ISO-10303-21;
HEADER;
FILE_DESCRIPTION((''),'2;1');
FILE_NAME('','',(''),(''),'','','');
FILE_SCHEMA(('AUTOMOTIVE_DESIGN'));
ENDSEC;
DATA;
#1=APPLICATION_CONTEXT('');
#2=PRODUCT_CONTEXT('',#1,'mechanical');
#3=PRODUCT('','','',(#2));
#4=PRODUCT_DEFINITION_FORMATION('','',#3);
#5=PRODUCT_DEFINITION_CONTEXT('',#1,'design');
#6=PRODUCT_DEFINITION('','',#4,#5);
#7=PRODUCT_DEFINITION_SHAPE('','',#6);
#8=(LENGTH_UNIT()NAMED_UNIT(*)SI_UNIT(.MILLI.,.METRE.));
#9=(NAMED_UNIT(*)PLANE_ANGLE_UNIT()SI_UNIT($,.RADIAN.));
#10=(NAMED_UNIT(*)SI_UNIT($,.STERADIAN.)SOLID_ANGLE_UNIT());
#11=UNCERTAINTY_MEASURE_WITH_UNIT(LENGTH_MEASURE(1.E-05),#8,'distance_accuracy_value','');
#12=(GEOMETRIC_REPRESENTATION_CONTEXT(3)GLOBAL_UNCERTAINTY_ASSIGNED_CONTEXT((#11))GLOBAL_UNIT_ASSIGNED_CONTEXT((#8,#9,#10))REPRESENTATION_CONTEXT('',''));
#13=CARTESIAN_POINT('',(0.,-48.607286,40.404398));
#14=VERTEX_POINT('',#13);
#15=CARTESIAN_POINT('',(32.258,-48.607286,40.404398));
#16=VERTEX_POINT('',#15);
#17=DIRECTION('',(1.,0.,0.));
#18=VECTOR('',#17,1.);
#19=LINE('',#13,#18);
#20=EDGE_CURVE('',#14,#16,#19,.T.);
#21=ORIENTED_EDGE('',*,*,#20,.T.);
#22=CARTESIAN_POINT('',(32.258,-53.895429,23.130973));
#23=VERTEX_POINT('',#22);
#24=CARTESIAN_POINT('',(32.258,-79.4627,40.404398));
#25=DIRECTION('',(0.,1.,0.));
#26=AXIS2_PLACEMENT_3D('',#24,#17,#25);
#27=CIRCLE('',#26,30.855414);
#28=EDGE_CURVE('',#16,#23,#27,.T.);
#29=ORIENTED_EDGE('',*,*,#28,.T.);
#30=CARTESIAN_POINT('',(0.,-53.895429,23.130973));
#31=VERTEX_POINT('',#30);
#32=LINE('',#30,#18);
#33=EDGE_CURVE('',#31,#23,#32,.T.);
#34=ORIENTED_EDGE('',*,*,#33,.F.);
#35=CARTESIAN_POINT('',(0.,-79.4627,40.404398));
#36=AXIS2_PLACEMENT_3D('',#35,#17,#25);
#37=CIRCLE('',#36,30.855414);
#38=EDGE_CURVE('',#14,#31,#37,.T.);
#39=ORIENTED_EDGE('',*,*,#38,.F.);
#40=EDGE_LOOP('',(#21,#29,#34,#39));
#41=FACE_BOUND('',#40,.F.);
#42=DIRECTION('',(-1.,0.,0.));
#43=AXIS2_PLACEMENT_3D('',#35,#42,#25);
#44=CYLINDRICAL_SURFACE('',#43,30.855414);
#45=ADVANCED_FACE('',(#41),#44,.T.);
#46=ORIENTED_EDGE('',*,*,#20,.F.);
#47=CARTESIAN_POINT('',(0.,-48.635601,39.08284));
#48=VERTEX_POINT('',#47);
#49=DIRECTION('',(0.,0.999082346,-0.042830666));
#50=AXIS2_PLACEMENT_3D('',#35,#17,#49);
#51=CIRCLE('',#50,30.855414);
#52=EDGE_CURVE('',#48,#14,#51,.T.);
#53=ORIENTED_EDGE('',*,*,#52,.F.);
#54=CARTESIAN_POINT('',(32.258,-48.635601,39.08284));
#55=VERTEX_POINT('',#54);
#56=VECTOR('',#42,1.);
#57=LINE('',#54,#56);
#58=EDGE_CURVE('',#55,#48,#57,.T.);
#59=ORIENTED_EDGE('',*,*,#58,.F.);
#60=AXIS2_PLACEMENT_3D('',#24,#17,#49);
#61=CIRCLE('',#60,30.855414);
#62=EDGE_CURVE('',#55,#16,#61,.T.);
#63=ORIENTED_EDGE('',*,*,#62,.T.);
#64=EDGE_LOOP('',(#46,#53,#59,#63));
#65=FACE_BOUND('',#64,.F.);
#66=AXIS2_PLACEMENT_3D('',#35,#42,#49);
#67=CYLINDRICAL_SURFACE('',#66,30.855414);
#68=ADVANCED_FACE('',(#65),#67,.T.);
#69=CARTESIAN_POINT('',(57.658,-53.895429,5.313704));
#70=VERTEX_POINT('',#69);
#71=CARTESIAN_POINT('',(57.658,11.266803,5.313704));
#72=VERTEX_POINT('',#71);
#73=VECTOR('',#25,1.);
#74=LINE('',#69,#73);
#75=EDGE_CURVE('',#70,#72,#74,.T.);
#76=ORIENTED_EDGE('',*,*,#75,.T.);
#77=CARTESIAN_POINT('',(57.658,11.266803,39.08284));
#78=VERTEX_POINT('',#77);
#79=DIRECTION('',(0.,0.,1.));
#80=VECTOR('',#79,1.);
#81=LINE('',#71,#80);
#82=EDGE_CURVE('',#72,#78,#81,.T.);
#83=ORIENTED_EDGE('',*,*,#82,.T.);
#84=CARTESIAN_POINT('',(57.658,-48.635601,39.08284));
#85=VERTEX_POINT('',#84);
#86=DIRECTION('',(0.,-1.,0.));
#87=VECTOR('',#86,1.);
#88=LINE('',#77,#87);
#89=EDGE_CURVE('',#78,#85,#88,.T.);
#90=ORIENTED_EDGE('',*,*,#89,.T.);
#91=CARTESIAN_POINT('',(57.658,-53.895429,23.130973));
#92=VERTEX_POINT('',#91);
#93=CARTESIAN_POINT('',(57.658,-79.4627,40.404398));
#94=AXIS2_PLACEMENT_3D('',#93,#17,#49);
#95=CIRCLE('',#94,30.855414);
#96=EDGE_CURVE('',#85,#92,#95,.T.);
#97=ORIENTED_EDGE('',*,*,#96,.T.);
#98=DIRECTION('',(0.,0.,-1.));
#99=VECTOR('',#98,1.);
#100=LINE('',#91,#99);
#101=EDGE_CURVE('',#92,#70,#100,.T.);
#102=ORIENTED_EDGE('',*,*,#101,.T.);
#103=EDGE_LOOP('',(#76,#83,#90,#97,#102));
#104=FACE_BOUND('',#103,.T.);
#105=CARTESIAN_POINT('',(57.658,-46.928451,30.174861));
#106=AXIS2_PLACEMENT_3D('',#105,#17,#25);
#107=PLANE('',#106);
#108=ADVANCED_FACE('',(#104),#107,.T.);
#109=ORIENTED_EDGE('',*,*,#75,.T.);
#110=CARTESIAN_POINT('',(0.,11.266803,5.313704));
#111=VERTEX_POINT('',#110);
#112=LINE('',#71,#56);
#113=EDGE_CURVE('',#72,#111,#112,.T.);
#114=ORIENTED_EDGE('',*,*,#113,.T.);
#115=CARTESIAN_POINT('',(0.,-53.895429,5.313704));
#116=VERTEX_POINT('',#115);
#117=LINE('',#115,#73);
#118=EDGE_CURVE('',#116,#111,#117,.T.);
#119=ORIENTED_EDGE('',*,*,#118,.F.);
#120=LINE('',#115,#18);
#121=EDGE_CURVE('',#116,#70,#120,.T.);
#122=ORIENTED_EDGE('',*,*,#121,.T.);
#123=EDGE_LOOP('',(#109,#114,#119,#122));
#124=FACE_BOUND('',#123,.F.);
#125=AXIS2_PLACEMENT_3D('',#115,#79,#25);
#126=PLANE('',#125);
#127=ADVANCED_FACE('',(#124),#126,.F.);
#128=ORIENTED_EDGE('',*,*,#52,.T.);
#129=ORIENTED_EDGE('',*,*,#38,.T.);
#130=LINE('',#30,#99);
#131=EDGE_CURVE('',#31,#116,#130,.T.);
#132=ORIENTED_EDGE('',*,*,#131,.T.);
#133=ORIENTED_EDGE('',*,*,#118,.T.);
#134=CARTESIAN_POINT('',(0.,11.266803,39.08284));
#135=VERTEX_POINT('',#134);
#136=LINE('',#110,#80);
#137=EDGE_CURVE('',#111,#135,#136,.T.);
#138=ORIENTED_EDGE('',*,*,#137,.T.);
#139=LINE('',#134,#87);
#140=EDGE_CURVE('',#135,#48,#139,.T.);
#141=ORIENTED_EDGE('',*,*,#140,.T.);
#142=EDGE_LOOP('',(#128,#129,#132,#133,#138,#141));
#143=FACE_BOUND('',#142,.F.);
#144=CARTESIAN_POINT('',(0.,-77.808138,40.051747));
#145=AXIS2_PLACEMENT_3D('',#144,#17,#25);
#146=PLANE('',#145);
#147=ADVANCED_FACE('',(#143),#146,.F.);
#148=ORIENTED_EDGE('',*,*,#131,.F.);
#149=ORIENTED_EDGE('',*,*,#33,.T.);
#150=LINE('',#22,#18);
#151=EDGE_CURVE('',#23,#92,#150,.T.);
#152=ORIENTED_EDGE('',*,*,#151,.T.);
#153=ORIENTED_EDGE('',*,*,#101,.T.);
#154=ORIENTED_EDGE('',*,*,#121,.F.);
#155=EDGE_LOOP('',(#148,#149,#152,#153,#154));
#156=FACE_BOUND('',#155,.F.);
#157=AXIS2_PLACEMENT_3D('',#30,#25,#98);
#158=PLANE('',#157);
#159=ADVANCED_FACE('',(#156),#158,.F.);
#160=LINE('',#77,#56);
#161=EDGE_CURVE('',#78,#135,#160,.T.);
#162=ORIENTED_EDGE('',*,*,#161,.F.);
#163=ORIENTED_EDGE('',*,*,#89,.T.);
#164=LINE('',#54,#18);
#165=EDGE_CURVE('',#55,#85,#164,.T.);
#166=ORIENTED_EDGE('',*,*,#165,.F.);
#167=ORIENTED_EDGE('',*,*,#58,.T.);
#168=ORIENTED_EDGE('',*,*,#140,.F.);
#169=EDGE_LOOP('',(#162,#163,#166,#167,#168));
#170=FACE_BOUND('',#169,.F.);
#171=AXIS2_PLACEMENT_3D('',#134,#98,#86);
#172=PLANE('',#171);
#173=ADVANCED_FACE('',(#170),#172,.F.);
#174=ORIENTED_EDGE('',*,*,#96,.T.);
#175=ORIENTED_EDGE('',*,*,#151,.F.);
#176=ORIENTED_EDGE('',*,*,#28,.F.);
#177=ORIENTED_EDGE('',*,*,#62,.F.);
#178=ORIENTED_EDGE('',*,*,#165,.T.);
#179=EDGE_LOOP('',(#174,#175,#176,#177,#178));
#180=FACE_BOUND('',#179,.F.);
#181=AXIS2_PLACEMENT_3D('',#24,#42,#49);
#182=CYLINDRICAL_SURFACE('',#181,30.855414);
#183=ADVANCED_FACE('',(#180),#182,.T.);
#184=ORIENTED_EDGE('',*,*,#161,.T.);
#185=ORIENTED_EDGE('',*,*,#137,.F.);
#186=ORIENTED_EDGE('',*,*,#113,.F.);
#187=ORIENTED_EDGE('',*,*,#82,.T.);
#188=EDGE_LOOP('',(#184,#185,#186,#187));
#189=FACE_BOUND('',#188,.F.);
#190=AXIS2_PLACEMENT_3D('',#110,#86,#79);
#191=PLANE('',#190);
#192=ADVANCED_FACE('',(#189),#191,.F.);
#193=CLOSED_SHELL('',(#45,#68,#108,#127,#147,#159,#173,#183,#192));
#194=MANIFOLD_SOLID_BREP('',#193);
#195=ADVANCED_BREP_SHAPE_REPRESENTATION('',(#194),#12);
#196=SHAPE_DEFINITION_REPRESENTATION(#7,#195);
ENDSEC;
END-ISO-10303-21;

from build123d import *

# Parameters (mm, degrees)
F1_DEPTH = 32.258
F2_DEPTH = 25.4


with BuildPart() as f1:
    # F0 (on Right) → F1 (new body)
    with BuildSketch(Plane.YZ):
        with BuildLine():
            Line((-53.8954287767, 23.1309729153), (-53.8954287767, 39.082840085))
            Line((-53.8954287767, 39.082840085), (-48.635600546, 39.082840085))
            ThreePointArc((-48.635600546, 39.082840085), (-48.6143654126, 39.7434673959), (-48.6072859519, 40.4043979943))
            ThreePointArc((-48.6072859519, 40.4043979943), (-108.9664728047, 49.4367795808), (-53.8954287767, 23.1309729153))
        make_face()
        with BuildLine():
            Line((-48.635600546, 39.082840085), (-53.8954287767, 39.082840085))
            Line((-53.8954287767, 39.082840085), (-53.8954287767, 23.1309729153))
            ThreePointArc((-53.8954287767, 23.1309729153), (-50.1591715696, 30.74211067), (-48.635600546, 39.082840085))
        make_face()
        with BuildLine():
            Line((11.2668033689, 39.082840085), (-48.635600546, 39.082840085))
            ThreePointArc((-48.635600546, 39.082840085), (-50.1591715696, 30.74211067), (-53.8954287767, 23.1309729153))
            Line((-53.8954287767, 23.1309729153), (-53.8954287767, 5.313704256))
            Line((-53.8954287767, 5.313704256), (11.2668033689, 5.313704256))
            Line((11.2668033689, 5.313704256), (11.2668033689, 39.082840085))
        make_face()
    extrude(amount=F1_DEPTH)

    # F0 (on Right) + F1_face (on face) → F2 (join)
    with BuildSketch(Plane.YZ):
        with BuildLine():
            Line((-53.8954287767, 23.1309729153), (-53.8954287767, 39.082840085))
            Line((-53.8954287767, 39.082840085), (-48.635600546, 39.082840085))
            ThreePointArc((-48.635600546, 39.082840085), (-48.6143654126, 39.7434673959), (-48.6072859519, 40.4043979943))
            ThreePointArc((-48.6072859519, 40.4043979943), (-108.9664728047, 49.4367795808), (-53.8954287767, 23.1309729153))
        make_face()
    with BuildSketch(Plane(origin=(32.258, -54.8476507526, 32.6830552837), x_dir=(0, 1, 0), z_dir=(1, 0, 0))):
        with BuildLine():
            Line((0.9522219759, -9.5520823684), (0.9522219759, -27.3693510277))
            Line((0.9522219759, -27.3693510277), (66.1144541215, -27.3693510277))
            Line((66.1144541215, -27.3693510277), (66.1144541215, 6.3997848013))
            Line((66.1144541215, 6.3997848013), (6.2120502066, 6.3997848013))
            ThreePointArc((6.2120502066, 6.3997848013), (-53.918576862, 17.3836300349), (0.9522219759, -9.5520823684))
        make_face()
    extrude(amount=F2_DEPTH)


solid = f1.part
